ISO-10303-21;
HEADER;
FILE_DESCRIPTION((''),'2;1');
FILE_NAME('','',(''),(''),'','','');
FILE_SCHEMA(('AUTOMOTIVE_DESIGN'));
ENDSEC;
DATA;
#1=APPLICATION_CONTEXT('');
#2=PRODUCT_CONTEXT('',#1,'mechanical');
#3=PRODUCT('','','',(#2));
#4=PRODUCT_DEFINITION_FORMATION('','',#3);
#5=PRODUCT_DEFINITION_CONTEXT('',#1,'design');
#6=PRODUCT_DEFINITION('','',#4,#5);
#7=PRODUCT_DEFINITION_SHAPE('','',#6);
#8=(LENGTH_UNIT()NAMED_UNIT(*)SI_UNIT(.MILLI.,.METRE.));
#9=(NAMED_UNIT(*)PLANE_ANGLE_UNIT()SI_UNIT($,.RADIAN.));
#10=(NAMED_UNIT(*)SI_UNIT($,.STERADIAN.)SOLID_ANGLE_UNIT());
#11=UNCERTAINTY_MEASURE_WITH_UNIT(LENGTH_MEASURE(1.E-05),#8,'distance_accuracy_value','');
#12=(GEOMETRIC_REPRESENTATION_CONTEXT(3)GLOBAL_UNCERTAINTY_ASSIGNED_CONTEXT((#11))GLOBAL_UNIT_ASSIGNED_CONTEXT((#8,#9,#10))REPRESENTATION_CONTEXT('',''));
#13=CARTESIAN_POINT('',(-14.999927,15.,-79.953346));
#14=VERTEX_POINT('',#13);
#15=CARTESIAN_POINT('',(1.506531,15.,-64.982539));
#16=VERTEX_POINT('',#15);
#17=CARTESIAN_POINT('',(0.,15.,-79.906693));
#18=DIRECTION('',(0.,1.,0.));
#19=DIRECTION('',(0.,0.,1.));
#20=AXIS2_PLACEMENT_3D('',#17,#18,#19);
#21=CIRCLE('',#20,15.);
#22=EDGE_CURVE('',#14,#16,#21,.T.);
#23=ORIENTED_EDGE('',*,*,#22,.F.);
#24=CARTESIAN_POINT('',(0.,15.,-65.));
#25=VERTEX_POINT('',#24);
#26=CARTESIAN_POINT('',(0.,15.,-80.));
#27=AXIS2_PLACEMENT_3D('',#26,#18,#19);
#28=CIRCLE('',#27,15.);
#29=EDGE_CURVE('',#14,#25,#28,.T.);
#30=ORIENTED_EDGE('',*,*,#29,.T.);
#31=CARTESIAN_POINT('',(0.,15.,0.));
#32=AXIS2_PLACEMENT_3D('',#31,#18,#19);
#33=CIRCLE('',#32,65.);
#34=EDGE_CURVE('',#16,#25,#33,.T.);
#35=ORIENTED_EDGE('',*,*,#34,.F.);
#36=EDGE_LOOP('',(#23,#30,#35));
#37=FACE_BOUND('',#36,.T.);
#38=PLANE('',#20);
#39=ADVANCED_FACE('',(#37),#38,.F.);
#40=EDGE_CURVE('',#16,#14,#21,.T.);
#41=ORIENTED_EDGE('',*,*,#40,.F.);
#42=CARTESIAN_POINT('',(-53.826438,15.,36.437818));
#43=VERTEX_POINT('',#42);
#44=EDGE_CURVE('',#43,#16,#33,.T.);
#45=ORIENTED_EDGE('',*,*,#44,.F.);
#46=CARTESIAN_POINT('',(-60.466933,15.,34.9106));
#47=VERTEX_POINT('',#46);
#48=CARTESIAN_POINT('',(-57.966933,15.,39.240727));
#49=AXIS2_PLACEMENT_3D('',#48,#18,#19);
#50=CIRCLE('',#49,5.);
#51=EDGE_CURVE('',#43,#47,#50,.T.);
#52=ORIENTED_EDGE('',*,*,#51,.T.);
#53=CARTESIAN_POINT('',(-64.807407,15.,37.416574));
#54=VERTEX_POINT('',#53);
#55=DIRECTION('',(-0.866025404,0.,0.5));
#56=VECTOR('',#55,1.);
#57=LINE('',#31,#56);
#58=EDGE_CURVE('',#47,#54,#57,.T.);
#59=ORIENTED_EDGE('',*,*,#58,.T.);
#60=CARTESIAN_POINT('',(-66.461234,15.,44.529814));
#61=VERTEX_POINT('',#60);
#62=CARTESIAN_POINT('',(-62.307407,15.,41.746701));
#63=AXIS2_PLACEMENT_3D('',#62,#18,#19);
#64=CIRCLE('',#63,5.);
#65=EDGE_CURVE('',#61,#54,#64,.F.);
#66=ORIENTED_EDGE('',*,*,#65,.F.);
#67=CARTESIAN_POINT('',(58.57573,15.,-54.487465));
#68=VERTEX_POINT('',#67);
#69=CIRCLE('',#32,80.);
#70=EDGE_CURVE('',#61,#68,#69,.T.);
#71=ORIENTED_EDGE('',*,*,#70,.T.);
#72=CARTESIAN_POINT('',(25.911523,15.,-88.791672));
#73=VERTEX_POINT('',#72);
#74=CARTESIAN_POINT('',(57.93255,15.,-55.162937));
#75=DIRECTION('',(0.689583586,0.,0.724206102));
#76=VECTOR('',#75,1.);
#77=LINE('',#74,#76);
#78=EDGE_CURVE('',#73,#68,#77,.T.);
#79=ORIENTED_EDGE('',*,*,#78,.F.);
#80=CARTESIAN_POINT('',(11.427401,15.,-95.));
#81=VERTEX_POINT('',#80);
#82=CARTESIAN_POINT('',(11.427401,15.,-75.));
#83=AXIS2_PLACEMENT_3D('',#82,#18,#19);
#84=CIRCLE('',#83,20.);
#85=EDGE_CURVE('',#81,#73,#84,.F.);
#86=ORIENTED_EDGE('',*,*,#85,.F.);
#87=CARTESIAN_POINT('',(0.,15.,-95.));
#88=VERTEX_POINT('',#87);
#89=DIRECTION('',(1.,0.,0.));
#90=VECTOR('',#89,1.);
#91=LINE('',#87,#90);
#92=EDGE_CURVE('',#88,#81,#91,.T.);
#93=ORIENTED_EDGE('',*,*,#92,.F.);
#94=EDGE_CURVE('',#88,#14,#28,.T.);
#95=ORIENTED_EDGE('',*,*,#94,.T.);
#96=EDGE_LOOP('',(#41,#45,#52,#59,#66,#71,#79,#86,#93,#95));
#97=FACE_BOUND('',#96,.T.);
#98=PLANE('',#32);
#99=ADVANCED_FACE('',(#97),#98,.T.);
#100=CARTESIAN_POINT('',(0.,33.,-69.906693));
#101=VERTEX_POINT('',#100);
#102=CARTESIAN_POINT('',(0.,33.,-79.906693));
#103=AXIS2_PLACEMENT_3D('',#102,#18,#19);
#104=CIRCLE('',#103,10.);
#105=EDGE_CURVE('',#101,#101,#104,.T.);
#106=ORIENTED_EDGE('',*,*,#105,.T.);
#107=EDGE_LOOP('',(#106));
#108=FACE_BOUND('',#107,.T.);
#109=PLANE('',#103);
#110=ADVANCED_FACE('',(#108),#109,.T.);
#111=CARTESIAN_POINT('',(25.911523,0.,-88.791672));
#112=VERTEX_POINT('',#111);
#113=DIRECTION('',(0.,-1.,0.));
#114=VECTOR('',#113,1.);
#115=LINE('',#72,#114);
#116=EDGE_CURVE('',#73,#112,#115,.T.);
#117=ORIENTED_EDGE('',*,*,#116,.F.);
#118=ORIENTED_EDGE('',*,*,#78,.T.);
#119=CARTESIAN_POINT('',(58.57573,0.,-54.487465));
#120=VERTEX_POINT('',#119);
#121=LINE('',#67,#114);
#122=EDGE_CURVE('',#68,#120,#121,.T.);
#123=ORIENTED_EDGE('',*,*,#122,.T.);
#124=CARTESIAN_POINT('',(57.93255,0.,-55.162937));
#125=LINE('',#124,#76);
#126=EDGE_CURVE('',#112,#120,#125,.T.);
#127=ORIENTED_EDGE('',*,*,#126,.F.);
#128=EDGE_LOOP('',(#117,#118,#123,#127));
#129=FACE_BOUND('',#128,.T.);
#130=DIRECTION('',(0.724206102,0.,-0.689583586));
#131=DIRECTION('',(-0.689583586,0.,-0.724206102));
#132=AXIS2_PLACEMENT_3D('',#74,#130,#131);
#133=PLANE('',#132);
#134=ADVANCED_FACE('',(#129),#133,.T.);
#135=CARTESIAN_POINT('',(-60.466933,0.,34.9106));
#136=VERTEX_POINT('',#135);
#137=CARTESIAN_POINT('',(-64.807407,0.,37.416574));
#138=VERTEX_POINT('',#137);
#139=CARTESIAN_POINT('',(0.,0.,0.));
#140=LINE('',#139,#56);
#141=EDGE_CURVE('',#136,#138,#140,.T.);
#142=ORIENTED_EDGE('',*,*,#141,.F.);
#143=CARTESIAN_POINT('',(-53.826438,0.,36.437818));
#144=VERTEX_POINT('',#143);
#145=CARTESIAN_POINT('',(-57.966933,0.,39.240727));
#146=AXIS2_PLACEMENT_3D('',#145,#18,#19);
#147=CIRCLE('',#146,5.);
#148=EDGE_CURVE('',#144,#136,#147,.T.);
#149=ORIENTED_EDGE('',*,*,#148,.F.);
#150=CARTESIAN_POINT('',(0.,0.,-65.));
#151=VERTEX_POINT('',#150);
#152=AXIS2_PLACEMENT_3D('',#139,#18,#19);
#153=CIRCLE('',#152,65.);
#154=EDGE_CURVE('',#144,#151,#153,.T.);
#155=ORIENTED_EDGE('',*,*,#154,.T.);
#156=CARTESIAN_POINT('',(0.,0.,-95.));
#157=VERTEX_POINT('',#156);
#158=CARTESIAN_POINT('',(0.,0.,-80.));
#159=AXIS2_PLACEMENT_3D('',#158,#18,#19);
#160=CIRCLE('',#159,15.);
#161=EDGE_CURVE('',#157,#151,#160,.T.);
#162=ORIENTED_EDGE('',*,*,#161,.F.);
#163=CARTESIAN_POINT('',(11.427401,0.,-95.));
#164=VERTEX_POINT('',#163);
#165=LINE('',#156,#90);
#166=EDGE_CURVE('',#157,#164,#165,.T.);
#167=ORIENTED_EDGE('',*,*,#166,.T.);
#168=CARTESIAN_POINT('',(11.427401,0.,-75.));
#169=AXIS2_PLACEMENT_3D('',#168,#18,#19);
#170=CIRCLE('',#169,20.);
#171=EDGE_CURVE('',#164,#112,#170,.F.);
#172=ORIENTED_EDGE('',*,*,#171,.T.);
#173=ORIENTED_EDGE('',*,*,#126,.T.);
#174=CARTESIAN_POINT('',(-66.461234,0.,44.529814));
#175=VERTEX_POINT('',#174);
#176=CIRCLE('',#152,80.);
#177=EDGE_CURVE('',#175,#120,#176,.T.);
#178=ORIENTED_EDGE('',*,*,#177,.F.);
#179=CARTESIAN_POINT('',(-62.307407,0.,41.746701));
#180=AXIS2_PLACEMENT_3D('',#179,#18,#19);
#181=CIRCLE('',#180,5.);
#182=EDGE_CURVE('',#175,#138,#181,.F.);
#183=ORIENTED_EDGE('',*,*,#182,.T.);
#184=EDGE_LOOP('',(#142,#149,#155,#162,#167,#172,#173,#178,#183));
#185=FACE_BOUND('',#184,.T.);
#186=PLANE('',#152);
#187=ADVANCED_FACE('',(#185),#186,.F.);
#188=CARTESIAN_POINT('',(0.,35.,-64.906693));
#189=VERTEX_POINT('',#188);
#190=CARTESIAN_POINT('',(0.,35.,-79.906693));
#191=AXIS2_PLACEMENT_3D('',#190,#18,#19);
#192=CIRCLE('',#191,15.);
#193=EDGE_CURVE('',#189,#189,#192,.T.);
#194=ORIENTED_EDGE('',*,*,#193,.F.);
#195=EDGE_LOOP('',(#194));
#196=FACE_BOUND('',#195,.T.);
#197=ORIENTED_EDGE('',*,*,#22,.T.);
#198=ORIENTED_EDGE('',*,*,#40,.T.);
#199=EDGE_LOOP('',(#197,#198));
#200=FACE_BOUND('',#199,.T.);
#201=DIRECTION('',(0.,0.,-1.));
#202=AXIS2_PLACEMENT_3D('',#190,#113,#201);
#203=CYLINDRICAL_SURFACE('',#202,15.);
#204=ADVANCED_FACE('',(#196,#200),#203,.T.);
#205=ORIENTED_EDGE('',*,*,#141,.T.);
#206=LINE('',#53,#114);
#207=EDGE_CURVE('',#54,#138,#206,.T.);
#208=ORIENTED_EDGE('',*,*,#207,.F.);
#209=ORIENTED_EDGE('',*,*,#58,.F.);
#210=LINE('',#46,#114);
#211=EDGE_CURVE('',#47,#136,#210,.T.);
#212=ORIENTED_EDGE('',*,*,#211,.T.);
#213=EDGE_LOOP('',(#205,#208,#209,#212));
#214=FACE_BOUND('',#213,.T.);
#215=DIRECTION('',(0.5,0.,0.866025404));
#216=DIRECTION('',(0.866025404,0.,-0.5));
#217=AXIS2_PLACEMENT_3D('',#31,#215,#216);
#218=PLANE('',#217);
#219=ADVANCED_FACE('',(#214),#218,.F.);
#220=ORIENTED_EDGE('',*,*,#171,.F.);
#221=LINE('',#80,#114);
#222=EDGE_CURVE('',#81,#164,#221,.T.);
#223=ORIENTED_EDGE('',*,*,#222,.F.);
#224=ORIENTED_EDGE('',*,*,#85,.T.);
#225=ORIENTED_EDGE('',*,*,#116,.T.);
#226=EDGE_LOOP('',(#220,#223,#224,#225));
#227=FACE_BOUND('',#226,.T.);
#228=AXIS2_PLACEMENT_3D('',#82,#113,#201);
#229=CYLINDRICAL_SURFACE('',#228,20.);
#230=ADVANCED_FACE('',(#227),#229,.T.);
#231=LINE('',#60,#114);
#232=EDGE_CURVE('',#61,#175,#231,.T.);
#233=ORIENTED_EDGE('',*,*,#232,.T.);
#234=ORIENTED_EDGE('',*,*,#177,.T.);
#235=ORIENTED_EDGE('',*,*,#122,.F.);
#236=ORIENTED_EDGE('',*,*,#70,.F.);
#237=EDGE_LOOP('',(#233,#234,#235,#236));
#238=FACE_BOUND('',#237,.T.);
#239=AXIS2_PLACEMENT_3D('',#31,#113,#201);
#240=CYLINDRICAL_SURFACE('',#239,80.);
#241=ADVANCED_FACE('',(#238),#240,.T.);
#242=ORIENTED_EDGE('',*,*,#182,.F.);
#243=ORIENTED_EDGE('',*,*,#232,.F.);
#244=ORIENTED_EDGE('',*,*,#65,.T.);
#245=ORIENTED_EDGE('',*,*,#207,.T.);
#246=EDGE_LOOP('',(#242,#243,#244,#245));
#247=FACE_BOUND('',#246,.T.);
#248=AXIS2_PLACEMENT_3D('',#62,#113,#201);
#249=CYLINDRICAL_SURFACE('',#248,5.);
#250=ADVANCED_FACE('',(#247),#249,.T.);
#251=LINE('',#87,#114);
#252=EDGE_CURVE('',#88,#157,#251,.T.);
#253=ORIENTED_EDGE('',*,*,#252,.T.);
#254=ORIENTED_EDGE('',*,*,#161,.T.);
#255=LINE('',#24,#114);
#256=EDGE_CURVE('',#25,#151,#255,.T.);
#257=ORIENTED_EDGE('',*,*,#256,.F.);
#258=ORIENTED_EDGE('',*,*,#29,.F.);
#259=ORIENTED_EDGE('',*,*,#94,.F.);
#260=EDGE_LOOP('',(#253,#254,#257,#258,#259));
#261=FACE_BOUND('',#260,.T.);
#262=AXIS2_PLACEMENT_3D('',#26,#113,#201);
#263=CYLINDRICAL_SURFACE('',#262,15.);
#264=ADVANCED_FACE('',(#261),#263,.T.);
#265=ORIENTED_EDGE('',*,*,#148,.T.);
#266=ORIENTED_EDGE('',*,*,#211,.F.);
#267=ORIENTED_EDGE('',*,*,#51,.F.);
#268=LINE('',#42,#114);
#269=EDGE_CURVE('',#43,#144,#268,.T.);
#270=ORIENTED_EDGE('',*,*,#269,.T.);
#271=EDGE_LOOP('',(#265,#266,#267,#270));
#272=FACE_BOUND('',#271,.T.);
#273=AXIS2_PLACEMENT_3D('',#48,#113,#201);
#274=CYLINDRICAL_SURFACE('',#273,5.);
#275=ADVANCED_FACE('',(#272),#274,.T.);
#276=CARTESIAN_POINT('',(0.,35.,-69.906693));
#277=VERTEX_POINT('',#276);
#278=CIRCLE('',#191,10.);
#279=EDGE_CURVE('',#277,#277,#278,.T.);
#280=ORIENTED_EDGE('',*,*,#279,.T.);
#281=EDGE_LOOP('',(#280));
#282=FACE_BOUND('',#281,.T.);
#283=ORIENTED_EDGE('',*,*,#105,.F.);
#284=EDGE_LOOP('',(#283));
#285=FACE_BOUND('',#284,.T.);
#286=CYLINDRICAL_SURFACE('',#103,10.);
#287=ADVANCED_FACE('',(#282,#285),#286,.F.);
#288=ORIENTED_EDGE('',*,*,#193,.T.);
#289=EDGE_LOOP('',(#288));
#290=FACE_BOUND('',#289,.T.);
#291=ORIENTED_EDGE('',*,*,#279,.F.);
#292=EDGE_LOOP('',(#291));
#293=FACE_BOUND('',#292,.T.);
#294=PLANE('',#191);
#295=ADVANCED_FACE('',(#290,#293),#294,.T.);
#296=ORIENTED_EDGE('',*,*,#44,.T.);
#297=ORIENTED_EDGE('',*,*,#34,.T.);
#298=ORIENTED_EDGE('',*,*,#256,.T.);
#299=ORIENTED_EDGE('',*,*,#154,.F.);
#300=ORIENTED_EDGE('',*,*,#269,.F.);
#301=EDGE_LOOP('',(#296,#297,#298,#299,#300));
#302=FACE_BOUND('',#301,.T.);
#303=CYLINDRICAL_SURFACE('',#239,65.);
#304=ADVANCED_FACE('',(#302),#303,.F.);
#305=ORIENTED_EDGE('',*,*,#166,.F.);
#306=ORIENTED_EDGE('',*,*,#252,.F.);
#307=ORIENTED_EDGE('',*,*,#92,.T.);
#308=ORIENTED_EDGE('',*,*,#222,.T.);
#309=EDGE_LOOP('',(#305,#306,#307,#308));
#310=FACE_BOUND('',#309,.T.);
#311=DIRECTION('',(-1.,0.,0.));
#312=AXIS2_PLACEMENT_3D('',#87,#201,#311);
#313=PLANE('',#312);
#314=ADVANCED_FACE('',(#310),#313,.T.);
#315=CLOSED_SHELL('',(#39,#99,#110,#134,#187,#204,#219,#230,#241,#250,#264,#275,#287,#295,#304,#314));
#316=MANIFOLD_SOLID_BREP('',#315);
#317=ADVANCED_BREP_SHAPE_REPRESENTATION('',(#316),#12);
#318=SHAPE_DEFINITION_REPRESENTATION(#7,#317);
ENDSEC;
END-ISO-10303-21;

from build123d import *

# Parameters (mm, degrees)
EXTRUDE_4_DEPTH     = 15
SKETCH_10_R         = 15
EXTRUDE_5_DEPTH     = 20
SKETCH_11_R         = 10
CUT_EXTRUDE_1_DEPTH = 2


with BuildPart() as part:
    # ｽｹｯﾁ2 → ﾎﾞｽ - 押し出し4 (new body)
    with BuildSketch(Plane(origin=(0, 0, 0), x_dir=(1, 0, 0), z_dir=(0, 1, 0))):
        with BuildLine():
            ThreePointArc((-53.82643789, -36.437818048), (-56.846261527, -34.367935813), (-60.466933112, -34.910600109))
            Line((-60.466933112, -34.910600109), (-64.807406984, -37.416573868))
            ThreePointArc((-64.807406984, -37.416573868), (-67.177509772, -40.614402853), (-66.461234116, -44.529814279))
            ThreePointArc((-66.461234116, -44.529814279), (49.665387485, -62.716419588), (58.57572973, 54.487465409))
            Line((58.57572973, 54.487465409), (57.289371136, 55.838409315))
            Line((57.289371136, 55.838409315), (25.911523347, 88.791671712))
            ThreePointArc((25.911523347, 88.791671712), (19.306695871, 93.382511176), (11.427401304, 95))
            Line((11.427401304, 95), (0, 95))
            ThreePointArc((0, 95), (-15, 80), (0, 65))
            ThreePointArc((0, 65), (57.41714976, -30.467538684), (-53.82643789, -36.437818048))
        make_face()
    extrude(amount=EXTRUDE_4_DEPTH)

    # ｽｹｯﾁ10 → ﾎﾞｽ - 押し出し5 (add)
    with BuildSketch(Plane(origin=(0, 15, 0), x_dir=(1, 0, 0), z_dir=(0, 1, 0))):
        with Locations(Location((0, 79.906692584, 0), (0, 0, 179.821795675))):
            Circle(SKETCH_10_R)
    extrude(amount=EXTRUDE_5_DEPTH)

    # ｽｹｯﾁ11 → ｶｯﾄ - 押し出し1 (cut)
    with BuildSketch(Plane(origin=(0, 35, 0), x_dir=(1, 0, 0), z_dir=(0, 1, 0))):
        with Locations(Location((0, 79.906692584, 0), (0, 0, 270))):
            Circle(SKETCH_11_R)
    extrude(amount=-CUT_EXTRUDE_1_DEPTH, mode=Mode.SUBTRACT)


solid = part.part
